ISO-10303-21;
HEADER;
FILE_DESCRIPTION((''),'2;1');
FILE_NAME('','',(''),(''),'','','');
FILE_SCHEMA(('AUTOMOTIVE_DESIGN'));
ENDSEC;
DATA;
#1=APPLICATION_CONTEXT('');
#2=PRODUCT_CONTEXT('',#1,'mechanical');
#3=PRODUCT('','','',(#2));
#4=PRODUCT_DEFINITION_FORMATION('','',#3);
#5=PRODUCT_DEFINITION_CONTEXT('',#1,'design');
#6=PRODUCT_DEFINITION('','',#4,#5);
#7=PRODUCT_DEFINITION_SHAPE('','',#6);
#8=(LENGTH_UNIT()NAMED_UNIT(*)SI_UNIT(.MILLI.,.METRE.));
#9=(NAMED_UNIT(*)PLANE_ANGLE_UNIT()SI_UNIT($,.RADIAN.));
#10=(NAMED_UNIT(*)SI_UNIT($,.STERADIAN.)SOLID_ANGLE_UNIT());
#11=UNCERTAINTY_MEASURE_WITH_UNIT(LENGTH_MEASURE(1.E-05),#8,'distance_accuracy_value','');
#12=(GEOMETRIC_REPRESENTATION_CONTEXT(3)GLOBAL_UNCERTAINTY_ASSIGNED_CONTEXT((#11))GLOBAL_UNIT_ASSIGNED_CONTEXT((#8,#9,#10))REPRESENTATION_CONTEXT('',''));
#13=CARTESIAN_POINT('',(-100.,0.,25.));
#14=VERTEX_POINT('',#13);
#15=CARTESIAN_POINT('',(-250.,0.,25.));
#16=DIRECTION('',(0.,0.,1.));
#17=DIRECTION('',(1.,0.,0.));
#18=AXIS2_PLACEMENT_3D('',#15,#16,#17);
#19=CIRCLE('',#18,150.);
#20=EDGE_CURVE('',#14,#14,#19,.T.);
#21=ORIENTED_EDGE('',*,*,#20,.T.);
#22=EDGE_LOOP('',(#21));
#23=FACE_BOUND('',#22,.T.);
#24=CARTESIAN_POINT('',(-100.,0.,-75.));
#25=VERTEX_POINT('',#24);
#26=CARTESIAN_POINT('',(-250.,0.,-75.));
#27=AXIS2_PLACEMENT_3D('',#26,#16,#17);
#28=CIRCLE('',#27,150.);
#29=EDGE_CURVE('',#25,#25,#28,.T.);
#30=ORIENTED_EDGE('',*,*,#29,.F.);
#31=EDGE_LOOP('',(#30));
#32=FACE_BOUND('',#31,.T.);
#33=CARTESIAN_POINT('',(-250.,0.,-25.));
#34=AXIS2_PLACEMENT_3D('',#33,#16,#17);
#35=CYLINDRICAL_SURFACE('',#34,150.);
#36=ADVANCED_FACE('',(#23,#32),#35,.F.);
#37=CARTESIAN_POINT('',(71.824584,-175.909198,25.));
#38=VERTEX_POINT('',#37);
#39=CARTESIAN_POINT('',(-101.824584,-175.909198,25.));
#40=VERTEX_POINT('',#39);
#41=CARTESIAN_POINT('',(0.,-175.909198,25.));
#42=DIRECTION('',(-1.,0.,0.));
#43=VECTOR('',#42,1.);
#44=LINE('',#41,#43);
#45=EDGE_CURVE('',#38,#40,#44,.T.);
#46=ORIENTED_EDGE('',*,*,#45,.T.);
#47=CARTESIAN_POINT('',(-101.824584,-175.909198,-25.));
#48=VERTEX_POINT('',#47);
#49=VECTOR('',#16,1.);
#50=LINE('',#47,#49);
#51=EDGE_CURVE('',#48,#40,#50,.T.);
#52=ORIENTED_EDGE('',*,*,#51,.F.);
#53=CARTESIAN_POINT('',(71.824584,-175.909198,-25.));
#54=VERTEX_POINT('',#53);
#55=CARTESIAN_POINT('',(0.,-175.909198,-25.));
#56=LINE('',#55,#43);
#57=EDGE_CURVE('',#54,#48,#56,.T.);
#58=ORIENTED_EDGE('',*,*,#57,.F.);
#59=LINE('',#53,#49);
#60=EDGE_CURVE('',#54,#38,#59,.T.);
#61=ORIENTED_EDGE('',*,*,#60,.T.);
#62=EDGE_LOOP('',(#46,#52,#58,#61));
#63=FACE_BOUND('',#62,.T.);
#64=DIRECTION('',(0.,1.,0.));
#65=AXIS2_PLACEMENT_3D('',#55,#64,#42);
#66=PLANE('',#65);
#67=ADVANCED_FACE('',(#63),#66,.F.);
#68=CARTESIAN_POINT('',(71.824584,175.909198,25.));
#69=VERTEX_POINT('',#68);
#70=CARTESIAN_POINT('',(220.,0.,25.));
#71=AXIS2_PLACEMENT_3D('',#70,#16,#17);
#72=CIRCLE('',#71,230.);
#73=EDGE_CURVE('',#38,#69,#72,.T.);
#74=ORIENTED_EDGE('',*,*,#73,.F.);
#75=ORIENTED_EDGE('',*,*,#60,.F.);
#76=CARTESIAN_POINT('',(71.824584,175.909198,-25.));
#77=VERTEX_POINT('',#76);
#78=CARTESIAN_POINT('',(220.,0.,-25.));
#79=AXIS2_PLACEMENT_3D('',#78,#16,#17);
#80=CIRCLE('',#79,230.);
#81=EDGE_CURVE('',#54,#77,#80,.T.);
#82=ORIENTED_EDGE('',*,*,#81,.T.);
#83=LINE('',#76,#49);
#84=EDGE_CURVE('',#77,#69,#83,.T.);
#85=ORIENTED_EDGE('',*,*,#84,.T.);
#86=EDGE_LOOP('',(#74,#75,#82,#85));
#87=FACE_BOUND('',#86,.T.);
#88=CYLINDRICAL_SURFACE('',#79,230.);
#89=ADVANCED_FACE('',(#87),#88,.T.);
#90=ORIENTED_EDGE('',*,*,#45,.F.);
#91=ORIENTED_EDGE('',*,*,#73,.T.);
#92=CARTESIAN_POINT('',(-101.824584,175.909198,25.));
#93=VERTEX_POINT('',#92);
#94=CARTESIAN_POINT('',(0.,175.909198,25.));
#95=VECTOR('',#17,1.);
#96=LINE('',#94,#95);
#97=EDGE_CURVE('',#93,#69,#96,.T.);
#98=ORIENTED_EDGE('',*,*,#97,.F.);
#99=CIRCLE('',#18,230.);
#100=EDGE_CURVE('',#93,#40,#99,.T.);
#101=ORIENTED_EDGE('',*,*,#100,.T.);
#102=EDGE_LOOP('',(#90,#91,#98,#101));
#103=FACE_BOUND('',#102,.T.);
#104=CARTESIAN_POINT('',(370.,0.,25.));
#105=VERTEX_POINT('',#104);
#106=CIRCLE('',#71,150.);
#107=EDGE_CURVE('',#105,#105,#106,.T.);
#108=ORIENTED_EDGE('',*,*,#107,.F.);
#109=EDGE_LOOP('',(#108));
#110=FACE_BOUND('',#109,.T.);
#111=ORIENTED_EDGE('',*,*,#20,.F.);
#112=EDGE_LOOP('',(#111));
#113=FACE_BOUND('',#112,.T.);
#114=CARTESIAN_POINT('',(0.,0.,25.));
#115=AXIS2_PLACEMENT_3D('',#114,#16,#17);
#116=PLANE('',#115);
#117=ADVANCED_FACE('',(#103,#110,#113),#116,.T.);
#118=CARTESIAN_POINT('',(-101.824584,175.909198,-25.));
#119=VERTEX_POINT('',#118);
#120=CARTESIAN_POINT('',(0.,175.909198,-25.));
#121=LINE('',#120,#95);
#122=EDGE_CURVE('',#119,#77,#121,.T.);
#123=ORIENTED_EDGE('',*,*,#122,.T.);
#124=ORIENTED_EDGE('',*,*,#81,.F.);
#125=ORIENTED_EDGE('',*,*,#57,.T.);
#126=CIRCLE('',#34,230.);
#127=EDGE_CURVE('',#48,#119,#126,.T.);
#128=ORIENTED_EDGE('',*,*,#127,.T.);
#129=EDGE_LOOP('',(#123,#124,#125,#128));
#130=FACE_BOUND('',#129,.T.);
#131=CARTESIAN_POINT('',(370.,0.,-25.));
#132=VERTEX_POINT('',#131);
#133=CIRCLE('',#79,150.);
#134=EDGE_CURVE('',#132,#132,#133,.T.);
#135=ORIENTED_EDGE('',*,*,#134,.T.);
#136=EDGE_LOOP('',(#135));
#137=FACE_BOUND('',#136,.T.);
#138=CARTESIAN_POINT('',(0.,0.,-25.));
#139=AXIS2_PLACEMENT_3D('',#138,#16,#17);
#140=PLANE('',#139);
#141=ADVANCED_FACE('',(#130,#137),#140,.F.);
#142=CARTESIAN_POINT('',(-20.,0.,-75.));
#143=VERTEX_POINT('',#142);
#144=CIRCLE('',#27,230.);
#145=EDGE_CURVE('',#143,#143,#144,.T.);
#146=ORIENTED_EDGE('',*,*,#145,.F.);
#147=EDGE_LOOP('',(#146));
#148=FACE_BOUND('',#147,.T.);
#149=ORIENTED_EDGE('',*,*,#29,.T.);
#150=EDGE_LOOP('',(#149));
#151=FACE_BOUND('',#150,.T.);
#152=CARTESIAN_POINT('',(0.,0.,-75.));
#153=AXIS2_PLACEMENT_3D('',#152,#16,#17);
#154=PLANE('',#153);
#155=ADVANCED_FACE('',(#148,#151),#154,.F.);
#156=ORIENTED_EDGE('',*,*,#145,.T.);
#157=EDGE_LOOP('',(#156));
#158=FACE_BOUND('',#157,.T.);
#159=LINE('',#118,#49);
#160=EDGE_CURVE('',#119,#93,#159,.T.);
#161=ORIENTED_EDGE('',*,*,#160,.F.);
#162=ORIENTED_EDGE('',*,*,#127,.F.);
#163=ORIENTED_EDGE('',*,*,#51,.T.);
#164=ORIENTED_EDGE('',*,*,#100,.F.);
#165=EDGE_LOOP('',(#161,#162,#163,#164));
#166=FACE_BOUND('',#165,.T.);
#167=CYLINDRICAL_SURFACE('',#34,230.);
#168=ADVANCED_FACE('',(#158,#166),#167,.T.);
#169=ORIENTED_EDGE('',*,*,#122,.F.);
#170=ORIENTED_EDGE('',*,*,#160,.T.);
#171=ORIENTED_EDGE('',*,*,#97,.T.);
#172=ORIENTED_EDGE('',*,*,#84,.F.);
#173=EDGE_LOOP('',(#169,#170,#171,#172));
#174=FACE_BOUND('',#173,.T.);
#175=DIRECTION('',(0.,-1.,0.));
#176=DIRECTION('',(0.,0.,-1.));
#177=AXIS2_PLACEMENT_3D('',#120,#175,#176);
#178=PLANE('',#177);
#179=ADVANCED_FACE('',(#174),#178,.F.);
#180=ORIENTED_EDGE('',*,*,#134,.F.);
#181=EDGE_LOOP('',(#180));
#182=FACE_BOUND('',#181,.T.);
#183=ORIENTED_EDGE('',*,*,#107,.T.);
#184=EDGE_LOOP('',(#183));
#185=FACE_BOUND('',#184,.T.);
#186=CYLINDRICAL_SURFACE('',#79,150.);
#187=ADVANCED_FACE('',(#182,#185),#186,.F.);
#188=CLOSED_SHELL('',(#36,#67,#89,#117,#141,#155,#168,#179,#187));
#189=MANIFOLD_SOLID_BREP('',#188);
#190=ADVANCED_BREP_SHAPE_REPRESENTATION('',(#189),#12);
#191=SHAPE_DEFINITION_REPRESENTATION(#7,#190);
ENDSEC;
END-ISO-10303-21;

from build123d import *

# Parameters (mm, degrees)
BOSS_EXTRUDE1_DEPTH      = 25
BOSS_EXTRUDE1_DEPTH_BACK = 25
SKETCH4_R                = 150
BOSS_EXTRUDE2_START      = -75
SKETCH4_4_R              = 150
BOSS_EXTRUDE2_DEPTH      = 75


with BuildPart() as part:
    # Sketch4 → Boss-Extrude1 (new, two sides: drawn at the far end of the back side and taken through both)
    with BuildSketch(Plane.XY.offset(-BOSS_EXTRUDE1_DEPTH_BACK)):
        with BuildLine():
            Line((71.8245835, 175.909198012), (-101.8245835, 175.909198012))
            ThreePointArc((-101.8245835, 175.909198012), (-480, 0), (-101.8245835, -175.909198012))
            Line((-101.8245835, -175.909198012), (71.8245835, -175.909198012))
            ThreePointArc((71.8245835, -175.909198012), (450, 0), (71.8245835, 175.909198012))
        make_face()
        with Locations((220, 0)):
            Circle(SKETCH4_R, mode=Mode.SUBTRACT)
        with Locations((-250, 0)):
            Circle(SKETCH4_R, mode=Mode.SUBTRACT)
    extrude(amount=BOSS_EXTRUDE1_DEPTH + BOSS_EXTRUDE1_DEPTH_BACK)

    # Sketch4<4> → Boss-Extrude2 (add)
    with BuildSketch(Plane.XY.offset(BOSS_EXTRUDE2_START)):
        with BuildLine():
            ThreePointArc((-20, 0), (-41.45702386, 97.004263321), (-101.8245835, 175.909198012))
            ThreePointArc((-101.8245835, 175.909198012), (-480, 0), (-101.8245835, -175.909198012))
            ThreePointArc((-101.8245835, -175.909198012), (-41.45702386, -97.004263321), (-20, 0))
        make_face()
        with Locations((-250, 0)):
            Circle(SKETCH4_4_R, mode=Mode.SUBTRACT)
    extrude(amount=BOSS_EXTRUDE2_DEPTH)


solid = part.part
